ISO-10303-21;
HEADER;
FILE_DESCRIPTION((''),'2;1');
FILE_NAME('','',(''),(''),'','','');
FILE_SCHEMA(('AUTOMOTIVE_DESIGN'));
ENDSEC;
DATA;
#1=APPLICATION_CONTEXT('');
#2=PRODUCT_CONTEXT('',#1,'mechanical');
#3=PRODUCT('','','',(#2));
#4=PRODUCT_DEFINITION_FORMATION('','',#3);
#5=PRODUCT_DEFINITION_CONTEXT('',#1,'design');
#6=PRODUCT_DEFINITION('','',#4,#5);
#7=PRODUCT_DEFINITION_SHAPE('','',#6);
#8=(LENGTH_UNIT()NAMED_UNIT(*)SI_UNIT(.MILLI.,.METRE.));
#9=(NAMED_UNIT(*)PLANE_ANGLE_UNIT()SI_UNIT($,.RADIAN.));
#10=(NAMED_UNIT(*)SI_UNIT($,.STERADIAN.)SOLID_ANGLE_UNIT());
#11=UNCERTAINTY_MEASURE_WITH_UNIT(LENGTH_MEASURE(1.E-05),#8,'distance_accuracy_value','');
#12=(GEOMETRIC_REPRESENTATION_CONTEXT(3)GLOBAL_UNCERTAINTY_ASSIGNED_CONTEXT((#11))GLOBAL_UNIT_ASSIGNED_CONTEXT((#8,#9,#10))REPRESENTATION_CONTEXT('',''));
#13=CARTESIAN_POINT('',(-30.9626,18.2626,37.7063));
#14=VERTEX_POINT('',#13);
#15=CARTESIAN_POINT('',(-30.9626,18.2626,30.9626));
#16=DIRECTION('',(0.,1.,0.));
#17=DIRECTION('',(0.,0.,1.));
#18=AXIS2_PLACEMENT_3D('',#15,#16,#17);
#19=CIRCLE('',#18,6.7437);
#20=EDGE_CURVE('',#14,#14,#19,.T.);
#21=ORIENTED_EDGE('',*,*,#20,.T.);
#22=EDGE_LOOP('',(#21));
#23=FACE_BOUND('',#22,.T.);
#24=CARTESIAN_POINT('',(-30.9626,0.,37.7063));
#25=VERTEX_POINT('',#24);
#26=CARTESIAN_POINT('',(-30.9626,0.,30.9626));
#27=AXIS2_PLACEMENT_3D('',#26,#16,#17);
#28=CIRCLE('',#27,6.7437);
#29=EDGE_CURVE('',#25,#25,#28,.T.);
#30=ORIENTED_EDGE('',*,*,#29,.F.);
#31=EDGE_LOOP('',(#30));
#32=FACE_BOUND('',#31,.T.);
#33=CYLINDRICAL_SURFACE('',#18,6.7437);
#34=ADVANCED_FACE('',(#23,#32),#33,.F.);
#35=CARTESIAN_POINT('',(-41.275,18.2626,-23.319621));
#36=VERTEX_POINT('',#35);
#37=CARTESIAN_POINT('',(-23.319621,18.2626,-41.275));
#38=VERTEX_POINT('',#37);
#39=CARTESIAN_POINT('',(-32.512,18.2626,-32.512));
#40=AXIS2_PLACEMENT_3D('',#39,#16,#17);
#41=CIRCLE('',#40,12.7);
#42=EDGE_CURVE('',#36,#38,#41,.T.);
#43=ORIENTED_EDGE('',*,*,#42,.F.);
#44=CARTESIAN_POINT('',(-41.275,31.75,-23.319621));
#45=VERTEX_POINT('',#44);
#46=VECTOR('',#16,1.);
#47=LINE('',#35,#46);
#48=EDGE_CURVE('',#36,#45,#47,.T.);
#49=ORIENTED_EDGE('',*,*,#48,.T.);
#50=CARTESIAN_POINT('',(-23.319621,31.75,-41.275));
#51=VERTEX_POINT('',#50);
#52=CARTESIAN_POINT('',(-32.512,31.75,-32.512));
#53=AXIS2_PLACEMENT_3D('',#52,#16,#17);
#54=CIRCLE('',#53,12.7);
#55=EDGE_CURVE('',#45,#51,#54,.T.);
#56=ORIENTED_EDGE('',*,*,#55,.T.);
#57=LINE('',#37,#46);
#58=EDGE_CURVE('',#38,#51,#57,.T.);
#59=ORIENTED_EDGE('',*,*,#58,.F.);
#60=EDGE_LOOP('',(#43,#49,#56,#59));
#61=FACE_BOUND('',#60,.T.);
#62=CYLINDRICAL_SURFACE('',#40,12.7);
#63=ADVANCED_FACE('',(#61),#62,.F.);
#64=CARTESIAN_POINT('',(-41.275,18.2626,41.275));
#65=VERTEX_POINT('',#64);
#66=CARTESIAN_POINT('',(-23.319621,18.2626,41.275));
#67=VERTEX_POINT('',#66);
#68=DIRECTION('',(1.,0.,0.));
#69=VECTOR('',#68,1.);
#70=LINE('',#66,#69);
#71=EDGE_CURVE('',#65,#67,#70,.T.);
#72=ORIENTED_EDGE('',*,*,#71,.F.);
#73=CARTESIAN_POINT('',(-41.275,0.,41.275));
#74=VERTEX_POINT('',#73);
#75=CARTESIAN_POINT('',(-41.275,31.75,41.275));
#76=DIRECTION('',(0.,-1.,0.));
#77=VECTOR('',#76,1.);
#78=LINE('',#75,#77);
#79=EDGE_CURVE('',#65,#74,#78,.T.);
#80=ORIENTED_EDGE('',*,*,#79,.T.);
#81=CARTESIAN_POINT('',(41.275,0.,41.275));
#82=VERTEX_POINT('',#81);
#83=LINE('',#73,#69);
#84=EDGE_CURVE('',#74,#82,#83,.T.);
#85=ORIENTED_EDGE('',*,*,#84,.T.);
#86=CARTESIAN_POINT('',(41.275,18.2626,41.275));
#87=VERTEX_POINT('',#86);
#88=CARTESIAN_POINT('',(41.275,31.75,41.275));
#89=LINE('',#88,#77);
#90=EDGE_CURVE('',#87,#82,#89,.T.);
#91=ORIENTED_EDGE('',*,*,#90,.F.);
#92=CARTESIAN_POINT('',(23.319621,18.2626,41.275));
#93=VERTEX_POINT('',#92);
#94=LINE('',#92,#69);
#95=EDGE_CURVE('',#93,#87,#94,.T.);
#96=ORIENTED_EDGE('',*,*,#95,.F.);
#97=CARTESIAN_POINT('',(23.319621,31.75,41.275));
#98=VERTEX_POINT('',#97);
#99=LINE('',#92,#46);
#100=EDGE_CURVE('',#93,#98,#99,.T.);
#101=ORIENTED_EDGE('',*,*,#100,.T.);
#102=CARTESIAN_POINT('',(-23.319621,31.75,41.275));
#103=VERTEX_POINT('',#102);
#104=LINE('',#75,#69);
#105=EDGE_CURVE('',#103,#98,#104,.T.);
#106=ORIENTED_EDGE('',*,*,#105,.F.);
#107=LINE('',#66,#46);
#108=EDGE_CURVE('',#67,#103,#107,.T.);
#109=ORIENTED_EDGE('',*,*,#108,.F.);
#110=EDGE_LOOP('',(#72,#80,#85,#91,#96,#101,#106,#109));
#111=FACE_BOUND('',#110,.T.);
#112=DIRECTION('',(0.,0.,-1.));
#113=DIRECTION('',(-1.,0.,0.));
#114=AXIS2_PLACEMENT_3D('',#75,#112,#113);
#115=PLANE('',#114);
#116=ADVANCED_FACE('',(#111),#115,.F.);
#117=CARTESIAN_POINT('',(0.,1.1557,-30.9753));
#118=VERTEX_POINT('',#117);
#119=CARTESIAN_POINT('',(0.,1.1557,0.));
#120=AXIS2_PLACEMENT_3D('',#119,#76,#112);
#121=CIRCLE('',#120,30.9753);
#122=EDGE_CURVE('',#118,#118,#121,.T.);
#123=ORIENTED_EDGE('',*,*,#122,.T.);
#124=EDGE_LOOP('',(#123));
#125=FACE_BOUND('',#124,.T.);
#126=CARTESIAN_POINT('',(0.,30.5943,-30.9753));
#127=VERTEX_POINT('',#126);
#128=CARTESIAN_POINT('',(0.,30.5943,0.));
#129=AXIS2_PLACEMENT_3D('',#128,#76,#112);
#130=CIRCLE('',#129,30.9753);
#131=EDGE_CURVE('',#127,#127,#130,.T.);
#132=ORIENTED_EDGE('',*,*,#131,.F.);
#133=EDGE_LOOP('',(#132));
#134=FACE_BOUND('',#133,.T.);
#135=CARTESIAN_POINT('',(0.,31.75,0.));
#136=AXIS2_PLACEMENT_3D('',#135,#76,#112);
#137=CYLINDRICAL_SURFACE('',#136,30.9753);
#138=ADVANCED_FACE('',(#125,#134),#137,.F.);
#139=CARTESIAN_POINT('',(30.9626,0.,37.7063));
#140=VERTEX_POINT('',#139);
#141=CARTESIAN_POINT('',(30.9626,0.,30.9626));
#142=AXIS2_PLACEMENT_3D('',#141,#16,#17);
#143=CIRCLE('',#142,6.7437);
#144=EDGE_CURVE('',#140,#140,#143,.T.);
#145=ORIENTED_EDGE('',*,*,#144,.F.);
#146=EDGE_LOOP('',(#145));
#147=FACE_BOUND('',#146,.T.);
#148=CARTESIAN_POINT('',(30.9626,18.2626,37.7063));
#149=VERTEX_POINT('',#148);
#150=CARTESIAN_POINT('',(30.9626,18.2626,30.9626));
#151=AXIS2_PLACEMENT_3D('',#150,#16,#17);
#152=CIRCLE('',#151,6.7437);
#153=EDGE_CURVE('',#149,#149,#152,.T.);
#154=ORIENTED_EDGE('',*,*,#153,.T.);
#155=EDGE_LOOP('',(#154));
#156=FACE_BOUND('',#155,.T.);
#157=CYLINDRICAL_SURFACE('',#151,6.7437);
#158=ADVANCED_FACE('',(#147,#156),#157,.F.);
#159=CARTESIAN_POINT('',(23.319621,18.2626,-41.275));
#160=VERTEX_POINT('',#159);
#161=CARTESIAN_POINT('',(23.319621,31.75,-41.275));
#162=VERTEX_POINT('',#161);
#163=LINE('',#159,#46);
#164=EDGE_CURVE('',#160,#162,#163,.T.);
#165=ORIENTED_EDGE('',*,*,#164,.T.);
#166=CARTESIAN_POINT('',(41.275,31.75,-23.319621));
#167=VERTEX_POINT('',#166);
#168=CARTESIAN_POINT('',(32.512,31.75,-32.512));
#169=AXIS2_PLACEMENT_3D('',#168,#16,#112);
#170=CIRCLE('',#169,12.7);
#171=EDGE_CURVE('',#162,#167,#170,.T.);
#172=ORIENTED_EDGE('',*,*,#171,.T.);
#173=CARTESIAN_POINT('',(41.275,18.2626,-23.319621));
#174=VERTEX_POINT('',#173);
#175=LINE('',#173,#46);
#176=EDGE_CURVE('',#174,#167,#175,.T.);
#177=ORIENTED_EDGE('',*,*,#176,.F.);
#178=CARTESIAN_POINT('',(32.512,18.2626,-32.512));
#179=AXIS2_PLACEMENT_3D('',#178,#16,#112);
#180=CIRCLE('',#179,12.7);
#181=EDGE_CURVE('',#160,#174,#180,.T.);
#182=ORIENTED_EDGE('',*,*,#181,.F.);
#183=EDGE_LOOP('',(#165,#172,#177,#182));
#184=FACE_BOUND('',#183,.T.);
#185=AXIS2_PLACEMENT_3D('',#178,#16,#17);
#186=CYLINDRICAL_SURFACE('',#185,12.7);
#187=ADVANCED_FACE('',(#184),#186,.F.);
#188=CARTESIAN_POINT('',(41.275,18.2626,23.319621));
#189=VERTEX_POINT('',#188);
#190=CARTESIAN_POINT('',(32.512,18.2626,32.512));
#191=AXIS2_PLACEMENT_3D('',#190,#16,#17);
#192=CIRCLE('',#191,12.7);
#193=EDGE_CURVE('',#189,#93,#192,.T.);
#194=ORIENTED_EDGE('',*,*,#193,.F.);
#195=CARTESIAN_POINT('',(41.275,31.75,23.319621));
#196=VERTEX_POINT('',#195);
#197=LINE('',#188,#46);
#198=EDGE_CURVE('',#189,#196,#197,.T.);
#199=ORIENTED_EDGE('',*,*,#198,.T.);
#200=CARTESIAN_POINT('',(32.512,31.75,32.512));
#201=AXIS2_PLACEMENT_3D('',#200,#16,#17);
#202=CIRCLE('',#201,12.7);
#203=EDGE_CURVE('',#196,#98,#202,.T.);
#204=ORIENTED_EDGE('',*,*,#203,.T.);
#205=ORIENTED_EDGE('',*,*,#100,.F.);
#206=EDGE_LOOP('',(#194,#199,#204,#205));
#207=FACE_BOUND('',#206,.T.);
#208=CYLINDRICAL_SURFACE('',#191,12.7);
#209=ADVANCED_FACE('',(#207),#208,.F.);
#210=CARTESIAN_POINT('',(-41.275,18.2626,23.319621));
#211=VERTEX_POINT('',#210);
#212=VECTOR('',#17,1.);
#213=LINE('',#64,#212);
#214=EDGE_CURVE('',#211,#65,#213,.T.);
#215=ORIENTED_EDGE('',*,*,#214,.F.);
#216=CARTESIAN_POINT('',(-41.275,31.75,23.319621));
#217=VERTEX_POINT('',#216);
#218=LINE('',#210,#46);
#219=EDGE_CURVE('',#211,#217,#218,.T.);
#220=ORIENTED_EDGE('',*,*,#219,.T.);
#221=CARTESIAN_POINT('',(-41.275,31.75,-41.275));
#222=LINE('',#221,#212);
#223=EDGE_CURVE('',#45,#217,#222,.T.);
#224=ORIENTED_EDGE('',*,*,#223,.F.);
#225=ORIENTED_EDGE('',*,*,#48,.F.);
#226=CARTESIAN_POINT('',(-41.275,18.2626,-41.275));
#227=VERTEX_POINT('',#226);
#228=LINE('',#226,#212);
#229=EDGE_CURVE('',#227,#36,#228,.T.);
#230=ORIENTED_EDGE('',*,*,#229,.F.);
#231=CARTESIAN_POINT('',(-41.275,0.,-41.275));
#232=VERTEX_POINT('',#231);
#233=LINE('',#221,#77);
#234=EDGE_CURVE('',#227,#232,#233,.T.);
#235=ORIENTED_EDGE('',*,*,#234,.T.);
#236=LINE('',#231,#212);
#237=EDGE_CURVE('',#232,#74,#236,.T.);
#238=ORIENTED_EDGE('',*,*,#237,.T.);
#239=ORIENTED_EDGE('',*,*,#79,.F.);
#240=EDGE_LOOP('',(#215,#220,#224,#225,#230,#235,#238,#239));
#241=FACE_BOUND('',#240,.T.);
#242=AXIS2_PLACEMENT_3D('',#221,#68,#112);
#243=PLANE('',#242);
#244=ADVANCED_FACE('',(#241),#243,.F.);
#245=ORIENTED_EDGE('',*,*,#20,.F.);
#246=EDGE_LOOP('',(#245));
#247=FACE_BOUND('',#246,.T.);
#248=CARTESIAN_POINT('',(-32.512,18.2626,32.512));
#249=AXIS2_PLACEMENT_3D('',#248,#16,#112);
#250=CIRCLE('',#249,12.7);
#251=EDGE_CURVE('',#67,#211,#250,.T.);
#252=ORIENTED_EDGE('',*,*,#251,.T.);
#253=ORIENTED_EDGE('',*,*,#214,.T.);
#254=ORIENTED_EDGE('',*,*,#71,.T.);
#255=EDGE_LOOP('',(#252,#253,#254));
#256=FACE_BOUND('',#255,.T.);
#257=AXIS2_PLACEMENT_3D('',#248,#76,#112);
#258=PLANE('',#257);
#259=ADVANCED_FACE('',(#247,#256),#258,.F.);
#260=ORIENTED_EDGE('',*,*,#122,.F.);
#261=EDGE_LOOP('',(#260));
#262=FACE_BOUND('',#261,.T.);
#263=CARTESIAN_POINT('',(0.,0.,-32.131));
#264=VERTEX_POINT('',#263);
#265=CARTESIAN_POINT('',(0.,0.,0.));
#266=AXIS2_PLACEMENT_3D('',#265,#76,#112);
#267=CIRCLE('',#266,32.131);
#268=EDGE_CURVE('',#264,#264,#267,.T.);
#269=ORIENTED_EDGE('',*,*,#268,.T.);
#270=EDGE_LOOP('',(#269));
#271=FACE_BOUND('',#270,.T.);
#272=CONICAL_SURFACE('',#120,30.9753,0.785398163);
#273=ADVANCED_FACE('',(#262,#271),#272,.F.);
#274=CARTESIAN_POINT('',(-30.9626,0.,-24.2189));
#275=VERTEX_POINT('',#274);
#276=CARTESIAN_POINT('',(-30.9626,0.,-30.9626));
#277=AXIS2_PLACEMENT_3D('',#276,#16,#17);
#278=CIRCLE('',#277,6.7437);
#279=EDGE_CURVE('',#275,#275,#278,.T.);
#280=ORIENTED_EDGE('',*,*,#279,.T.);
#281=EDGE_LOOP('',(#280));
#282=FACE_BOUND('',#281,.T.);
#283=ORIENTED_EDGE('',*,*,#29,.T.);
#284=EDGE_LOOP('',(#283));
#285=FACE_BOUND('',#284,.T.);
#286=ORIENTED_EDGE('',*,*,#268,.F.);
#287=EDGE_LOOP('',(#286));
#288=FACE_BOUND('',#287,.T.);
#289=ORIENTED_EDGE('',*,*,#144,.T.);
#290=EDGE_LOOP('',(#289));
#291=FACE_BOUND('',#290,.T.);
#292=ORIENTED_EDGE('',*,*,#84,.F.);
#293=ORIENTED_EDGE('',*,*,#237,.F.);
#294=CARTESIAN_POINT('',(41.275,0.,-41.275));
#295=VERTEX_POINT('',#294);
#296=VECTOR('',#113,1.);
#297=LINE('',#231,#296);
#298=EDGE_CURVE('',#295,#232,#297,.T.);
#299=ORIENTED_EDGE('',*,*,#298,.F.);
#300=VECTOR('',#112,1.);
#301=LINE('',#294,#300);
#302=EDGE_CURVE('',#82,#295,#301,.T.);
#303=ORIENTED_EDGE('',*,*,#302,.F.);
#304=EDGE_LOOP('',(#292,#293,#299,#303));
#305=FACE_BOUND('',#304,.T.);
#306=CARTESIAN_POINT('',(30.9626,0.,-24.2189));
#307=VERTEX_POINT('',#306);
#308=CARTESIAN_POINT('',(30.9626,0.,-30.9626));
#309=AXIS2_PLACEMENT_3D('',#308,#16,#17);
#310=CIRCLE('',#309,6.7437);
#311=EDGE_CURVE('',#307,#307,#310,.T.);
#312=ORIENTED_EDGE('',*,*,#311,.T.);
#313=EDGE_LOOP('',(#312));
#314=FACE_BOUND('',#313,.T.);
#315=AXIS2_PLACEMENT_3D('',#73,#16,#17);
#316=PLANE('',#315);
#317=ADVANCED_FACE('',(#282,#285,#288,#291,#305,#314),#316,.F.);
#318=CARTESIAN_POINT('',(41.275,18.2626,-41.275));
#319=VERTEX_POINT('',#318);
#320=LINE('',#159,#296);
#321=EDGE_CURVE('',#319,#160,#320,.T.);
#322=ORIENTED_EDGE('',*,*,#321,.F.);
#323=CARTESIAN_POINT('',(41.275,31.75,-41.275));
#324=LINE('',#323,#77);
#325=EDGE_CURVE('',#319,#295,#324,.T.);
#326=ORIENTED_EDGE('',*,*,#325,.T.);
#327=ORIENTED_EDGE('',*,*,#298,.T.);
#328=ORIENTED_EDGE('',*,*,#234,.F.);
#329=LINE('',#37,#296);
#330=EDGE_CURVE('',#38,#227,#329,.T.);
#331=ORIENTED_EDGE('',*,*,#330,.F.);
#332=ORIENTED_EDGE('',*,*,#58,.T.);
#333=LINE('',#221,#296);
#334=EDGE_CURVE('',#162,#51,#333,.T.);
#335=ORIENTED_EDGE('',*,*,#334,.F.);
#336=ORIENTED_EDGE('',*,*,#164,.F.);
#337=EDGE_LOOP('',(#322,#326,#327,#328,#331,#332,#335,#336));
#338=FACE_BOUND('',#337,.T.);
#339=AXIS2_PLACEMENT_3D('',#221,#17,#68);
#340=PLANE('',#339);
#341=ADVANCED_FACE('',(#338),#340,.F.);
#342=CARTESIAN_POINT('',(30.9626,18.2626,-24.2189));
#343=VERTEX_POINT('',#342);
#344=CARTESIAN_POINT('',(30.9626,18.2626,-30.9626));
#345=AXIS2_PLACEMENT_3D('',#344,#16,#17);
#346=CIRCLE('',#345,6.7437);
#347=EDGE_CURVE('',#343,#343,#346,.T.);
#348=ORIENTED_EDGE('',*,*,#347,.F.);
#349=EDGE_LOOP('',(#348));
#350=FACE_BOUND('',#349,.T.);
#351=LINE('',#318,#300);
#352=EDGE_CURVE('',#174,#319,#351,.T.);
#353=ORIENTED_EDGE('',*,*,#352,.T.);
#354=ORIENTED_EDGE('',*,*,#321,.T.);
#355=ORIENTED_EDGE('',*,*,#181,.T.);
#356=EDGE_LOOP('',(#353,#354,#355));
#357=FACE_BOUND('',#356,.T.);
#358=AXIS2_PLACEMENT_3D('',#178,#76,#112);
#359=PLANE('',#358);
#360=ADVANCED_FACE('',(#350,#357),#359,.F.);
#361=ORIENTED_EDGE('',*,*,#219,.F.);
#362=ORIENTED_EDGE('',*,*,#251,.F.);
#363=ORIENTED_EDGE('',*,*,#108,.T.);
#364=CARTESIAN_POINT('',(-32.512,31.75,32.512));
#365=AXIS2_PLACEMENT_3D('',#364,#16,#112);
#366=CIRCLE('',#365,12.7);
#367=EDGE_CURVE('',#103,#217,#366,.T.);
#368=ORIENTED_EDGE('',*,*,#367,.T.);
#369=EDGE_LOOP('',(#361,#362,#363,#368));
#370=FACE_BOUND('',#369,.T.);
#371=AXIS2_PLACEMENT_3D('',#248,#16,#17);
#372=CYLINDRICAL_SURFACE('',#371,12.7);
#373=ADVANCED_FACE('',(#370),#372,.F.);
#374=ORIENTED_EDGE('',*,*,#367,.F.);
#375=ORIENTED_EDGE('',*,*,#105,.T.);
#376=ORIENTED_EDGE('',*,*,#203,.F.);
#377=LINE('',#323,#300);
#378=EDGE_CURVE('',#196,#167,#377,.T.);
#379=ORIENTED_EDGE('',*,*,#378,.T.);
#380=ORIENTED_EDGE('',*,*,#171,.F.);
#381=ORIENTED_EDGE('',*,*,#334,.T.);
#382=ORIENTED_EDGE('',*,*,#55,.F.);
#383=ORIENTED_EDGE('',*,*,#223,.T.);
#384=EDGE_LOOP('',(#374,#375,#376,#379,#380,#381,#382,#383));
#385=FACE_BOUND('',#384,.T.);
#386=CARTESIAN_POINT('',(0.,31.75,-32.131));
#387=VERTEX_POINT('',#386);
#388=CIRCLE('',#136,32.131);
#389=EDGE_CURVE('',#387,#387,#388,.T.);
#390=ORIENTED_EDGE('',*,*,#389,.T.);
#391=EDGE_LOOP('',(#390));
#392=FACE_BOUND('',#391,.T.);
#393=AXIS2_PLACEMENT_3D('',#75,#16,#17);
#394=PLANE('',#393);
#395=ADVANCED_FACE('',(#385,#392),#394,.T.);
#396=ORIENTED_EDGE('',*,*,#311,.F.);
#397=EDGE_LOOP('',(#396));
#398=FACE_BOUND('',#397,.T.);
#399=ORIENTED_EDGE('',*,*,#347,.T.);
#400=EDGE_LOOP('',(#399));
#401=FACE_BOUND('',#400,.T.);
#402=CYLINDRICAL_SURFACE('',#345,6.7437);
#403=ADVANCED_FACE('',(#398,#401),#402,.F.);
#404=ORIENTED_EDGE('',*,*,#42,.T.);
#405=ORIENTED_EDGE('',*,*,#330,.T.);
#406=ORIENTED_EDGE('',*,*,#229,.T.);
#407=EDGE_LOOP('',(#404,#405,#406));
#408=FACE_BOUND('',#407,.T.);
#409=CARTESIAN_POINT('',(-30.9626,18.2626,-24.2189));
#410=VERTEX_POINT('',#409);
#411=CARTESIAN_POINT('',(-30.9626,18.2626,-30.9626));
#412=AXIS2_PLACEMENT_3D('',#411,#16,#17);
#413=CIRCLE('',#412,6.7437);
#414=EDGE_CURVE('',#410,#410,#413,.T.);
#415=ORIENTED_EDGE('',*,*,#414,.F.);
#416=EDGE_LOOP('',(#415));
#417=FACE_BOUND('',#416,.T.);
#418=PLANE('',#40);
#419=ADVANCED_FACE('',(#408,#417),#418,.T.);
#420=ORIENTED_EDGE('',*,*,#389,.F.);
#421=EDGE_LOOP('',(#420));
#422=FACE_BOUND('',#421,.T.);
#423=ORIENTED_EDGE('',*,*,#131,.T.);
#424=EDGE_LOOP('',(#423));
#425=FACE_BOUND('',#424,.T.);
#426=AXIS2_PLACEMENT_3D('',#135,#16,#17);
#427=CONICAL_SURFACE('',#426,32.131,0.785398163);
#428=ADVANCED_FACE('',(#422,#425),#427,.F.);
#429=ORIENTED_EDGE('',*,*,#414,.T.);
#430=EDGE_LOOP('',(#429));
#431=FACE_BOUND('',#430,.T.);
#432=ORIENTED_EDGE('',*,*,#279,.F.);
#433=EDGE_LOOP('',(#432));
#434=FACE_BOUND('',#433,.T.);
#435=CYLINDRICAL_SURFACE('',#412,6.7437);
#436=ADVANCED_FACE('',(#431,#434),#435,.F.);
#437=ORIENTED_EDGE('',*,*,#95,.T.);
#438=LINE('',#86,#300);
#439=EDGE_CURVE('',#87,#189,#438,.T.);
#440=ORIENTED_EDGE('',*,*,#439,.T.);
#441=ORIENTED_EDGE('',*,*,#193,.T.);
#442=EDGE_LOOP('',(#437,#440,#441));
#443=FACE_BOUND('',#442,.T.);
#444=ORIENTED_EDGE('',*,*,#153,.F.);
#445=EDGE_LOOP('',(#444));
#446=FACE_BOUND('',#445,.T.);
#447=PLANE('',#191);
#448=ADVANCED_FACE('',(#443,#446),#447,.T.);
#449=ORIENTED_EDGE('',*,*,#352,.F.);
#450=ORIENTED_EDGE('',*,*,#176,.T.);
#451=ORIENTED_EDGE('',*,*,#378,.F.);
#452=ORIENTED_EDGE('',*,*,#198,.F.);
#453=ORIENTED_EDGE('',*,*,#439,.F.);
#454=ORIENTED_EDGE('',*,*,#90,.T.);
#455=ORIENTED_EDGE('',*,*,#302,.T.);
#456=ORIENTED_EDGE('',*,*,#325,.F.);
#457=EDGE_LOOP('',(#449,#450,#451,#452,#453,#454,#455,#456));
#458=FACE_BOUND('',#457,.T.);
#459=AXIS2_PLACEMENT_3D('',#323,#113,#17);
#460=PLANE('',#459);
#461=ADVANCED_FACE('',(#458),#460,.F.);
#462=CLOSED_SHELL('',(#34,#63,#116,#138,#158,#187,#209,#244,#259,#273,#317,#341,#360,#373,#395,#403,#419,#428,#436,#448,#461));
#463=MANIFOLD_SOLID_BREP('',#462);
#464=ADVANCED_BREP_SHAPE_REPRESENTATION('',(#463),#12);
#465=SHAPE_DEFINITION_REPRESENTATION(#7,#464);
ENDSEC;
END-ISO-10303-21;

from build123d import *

# Parameters (mm, degrees)
SKETCH1_W          = 82.55
SKETCH1_H          = 82.55
SKETCH1_R          = 30.9753
EXTRUDE1_DEPTH     = 31.75
CUT_EXTRUDE1_DEPTH = 13.4874
HOLE1_D            = 13.4874
HOLE1_DEPTH        = 18.2626


with BuildPart() as part:
    # Sketch1 → Extrude1 (new body)
    with BuildSketch(Plane(origin=(0, 0, 0), x_dir=(1, 0, 0), z_dir=(0, 1, 0))):
        Rectangle(SKETCH1_W, SKETCH1_H)
        with Locations(Location((0, 0, 0), (0, 0, 270))):  # turned: the seam where the file's is
            Circle(SKETCH1_R, mode=Mode.SUBTRACT)
    extrude(amount=EXTRUDE1_DEPTH)

    # Sketch2 → Cut-Extrude1 (cut)
    with BuildSketch(Plane(origin=(0, 31.75, 0), x_dir=(1, 0, 0), z_dir=(0, 1, 0))):
        with BuildLine():
            Line((23.319621037, -41.275), (41.275, -41.275))
            Line((41.275, -41.275), (41.275, -23.319621037))
            ThreePointArc((41.275, -23.319621037), (23.531743879, -23.531743879), (23.319621037, -41.275))
        make_face()
        with BuildLine():
            Line((41.275, 41.275), (41.275, 23.319621037))
            ThreePointArc((41.275, 23.319621037), (23.531743879, 23.531743879), (23.319621037, 41.275))
            Line((23.319621037, 41.275), (41.275, 41.275))
        make_face()
        with BuildLine():
            Line((-23.319621037, 41.275), (-41.275, 41.275))
            Line((-41.275, 41.275), (-41.275, 23.319621037))
            ThreePointArc((-41.275, 23.319621037), (-23.531743879, 23.531743879), (-23.319621037, 41.275))
        make_face()
        with BuildLine():
            Line((-41.275, -41.275), (-41.275, -23.319621037))
            ThreePointArc((-41.275, -23.319621037), (-23.531743879, -23.531743879), (-23.319621037, -41.275))
            Line((-23.319621037, -41.275), (-41.275, -41.275))
        make_face()
    extrude(amount=-CUT_EXTRUDE1_DEPTH, mode=Mode.SUBTRACT)

    # Hole1
    with Locations(Plane(origin=(0, 18.2626, 0), x_dir=(-1, 0, 0), z_dir=(0, 1, 0))):
        with Locations((30.9626, 30.9626), (30.9626, -30.9626), (-30.9626, 30.9626), (-30.9626, -30.9626)):
            Hole(HOLE1_D / 2, depth=HOLE1_DEPTH)

    # Sketch5 → Cut-Revolve1 (revolve, cut)
    with BuildSketch(Plane(origin=(0, 0, 0), x_dir=(0, 0, -1), z_dir=(1, 0, 0)), mode=Mode.PRIVATE) as cut_revolve1_sk:
        Polygon((-32.131, 31.75), (-30.9753, 31.75), (-30.9753, 30.5943), align=None)
        Polygon((-30.9753, 1.1557), (-32.131, 0), (-30.9753, 0), align=None)
    revolve(cut_revolve1_sk.sketch.rotate(Axis((0, 0, 0), (0, 1, 0)), 180), axis=Axis((0, 0, 0), (0, 1, 0)), mode=Mode.SUBTRACT)  # turned: the seam where the file's is


solid = part.part
